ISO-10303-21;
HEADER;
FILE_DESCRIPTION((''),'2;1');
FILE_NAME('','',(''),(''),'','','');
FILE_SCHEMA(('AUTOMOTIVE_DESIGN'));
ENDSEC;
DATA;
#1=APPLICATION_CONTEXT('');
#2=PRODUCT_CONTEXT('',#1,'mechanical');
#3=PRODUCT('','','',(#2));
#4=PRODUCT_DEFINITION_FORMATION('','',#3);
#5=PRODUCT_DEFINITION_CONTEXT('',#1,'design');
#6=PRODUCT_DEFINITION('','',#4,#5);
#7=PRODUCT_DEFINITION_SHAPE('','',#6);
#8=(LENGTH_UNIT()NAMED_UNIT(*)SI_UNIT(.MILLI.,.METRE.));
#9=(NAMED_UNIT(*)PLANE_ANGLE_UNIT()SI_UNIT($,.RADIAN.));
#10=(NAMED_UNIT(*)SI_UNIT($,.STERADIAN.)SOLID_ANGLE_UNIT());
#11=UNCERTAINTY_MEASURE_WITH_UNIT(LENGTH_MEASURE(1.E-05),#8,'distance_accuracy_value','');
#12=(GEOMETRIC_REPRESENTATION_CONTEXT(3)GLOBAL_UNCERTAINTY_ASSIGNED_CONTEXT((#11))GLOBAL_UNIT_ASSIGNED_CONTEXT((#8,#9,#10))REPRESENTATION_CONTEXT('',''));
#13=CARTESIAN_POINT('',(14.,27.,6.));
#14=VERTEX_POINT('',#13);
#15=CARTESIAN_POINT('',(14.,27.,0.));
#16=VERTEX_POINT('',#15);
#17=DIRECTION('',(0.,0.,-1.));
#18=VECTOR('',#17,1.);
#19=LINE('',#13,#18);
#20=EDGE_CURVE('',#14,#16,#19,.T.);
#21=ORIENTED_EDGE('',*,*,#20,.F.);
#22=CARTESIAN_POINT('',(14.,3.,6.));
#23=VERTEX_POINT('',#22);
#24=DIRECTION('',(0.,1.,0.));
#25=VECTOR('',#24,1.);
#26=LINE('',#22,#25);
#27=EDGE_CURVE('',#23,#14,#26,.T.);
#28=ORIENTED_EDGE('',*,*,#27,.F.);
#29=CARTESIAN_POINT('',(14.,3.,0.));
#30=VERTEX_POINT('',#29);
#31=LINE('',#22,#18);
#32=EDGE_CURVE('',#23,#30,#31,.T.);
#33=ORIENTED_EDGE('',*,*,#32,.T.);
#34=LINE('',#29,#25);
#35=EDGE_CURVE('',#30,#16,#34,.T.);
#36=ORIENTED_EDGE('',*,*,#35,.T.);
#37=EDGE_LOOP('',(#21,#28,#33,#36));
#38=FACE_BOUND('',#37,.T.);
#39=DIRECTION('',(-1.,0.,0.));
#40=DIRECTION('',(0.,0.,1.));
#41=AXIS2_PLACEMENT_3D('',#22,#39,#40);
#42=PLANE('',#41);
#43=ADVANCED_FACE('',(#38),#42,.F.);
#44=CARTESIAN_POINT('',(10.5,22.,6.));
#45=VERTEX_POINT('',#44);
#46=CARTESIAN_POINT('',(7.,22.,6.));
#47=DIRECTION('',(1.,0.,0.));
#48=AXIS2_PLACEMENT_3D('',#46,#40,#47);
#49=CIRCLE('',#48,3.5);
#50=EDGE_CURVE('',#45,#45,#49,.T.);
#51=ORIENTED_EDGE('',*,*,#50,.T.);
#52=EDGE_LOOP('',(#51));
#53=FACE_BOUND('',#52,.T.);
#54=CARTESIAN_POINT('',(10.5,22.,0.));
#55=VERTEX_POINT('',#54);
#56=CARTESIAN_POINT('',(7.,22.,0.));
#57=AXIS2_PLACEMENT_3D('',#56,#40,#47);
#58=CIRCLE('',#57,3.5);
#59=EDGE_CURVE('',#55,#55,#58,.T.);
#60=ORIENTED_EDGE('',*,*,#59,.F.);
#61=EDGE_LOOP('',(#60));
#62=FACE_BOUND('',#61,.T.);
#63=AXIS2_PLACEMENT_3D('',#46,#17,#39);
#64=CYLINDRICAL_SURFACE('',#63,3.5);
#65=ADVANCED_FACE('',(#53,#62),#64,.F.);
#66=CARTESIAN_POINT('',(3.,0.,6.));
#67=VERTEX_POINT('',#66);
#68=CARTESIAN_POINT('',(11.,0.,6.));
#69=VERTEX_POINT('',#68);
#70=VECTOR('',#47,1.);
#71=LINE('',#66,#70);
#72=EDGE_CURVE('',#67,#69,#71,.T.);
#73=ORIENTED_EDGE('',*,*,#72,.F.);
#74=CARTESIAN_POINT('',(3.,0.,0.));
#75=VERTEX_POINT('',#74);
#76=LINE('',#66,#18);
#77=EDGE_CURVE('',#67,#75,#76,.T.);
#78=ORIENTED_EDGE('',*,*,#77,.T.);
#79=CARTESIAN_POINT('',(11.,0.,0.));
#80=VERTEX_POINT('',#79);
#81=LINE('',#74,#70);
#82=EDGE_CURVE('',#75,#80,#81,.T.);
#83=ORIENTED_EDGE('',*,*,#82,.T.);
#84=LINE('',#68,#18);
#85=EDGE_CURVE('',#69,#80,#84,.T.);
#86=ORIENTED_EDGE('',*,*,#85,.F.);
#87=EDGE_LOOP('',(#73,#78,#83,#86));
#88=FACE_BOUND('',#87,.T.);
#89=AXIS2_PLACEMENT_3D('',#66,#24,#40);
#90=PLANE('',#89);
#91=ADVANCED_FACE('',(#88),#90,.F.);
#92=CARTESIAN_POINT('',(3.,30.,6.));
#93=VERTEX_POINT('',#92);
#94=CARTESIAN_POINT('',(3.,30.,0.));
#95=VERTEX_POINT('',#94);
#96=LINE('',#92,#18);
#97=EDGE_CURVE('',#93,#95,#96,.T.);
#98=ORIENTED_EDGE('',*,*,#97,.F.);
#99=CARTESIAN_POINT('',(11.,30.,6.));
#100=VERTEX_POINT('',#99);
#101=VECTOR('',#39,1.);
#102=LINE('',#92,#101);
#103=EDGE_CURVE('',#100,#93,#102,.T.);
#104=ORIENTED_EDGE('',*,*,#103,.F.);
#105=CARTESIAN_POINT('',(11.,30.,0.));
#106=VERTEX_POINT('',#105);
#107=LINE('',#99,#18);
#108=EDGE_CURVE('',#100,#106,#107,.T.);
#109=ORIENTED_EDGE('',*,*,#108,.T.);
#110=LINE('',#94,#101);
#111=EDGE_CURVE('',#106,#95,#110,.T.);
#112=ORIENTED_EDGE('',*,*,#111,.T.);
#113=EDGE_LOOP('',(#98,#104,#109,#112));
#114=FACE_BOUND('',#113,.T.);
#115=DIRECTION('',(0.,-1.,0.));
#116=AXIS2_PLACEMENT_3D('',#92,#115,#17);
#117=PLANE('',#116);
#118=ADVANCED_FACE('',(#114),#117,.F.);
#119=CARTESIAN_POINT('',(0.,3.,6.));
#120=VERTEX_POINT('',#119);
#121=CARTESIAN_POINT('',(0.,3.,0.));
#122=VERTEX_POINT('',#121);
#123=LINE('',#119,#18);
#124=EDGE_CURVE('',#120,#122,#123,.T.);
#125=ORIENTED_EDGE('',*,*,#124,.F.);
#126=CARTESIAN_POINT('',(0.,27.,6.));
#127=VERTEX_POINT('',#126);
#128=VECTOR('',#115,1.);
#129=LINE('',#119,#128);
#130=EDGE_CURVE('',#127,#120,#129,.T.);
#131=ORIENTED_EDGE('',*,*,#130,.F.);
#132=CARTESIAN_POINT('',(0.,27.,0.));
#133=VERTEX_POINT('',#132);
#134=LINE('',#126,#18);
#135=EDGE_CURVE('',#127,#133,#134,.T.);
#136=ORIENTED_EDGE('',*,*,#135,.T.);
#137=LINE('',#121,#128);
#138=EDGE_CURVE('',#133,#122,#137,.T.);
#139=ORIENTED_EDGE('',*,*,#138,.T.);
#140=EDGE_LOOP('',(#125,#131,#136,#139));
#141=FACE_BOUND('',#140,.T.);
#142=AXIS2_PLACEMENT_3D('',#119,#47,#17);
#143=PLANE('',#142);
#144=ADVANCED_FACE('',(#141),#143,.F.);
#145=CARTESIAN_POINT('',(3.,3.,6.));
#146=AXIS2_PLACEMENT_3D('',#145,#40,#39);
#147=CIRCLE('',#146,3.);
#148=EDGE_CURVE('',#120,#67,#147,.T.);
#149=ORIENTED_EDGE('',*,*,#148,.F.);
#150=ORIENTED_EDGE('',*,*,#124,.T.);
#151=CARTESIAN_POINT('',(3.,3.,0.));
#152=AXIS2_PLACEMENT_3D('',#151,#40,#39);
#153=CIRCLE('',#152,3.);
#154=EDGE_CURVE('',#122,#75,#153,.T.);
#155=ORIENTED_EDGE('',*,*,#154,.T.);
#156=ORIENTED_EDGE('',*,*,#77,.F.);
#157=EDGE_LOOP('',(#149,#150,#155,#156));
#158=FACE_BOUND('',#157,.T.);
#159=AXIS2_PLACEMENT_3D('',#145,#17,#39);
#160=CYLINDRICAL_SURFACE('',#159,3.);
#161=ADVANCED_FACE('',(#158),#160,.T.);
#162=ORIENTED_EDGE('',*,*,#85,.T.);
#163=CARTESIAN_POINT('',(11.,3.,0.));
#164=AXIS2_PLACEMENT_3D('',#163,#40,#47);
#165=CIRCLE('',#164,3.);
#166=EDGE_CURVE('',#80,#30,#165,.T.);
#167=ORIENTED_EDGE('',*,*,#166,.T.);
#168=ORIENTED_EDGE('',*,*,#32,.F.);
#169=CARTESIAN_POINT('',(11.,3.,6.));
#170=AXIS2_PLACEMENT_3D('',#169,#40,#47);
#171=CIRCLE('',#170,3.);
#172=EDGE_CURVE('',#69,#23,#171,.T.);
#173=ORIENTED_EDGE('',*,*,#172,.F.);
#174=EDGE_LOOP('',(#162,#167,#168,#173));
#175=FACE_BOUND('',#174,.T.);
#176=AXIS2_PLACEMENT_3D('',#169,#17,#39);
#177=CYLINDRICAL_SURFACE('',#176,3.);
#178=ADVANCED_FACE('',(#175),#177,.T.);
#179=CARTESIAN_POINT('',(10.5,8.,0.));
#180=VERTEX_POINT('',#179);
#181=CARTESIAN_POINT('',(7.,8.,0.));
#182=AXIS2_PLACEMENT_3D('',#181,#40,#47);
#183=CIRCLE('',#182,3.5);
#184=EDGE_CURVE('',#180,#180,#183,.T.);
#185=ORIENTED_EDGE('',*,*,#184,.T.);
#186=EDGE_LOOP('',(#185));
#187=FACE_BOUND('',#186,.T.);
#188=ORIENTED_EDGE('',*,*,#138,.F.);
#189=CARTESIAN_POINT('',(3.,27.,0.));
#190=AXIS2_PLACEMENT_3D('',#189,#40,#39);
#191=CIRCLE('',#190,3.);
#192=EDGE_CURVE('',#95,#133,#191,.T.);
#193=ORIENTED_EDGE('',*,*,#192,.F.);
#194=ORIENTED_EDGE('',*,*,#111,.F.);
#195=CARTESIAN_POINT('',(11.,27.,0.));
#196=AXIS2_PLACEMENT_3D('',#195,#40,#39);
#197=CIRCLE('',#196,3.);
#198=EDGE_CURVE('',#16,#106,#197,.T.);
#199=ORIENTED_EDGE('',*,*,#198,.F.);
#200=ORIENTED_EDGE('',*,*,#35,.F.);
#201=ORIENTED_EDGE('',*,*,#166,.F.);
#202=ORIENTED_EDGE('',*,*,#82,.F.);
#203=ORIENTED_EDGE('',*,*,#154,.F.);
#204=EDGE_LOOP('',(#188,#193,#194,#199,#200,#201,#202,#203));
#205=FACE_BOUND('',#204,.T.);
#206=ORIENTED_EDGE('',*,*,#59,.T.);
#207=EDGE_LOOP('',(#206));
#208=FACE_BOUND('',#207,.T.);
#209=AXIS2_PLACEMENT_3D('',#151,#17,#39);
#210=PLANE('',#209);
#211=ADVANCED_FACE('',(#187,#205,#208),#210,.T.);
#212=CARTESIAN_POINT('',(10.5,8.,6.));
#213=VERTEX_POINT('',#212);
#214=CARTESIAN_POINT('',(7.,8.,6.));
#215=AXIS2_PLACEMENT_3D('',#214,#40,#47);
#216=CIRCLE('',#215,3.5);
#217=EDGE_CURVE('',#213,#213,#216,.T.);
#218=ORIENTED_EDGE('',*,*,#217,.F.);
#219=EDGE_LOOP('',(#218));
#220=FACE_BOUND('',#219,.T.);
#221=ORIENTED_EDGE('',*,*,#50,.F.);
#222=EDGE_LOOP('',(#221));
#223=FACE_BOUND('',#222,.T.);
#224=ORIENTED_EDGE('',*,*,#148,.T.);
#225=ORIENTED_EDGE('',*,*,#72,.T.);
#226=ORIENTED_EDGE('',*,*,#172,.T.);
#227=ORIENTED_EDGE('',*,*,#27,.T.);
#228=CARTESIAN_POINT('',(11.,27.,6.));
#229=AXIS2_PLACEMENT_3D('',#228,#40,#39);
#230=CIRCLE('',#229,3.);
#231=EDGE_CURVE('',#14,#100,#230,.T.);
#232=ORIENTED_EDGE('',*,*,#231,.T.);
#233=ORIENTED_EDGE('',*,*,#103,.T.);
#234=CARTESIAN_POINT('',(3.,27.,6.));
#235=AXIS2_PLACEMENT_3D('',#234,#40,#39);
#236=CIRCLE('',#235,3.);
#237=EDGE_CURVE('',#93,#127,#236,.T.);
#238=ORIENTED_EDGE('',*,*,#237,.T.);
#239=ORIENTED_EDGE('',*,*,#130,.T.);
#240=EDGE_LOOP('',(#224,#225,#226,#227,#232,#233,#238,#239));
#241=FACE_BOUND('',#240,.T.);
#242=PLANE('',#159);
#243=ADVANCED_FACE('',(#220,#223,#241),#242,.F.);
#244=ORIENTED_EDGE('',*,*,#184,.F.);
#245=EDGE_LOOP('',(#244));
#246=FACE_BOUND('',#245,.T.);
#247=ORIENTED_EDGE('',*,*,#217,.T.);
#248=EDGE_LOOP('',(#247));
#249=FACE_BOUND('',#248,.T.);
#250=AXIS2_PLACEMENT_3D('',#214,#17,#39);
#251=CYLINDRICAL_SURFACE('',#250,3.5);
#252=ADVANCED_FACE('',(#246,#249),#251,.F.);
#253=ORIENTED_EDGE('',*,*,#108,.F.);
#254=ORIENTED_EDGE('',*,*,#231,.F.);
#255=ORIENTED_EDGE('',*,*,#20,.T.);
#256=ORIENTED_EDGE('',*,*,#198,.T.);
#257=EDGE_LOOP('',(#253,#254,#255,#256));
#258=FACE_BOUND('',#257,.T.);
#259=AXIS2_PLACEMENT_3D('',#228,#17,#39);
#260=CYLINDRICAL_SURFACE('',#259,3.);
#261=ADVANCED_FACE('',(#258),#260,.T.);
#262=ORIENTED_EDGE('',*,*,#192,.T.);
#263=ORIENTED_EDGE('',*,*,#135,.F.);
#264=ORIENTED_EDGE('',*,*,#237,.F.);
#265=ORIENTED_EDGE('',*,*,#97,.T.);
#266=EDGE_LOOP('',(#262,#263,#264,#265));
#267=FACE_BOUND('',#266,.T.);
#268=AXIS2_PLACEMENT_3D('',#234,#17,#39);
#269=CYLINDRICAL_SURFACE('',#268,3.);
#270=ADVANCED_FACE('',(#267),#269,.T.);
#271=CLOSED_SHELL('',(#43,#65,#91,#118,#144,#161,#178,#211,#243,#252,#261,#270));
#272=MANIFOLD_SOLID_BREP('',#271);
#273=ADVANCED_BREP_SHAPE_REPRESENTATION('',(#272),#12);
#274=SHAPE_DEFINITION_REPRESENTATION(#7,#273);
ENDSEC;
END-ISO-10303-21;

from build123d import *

# Parameters (mm, degrees)
SKETCH1_R           = 3.5
BOSS_EXTRUDE1_DEPTH = 6


with BuildPart() as part:
    # Sketch1 → Boss-Extrude1 (new body)
    with BuildSketch(Plane.XY):
        with BuildLine():
            Line((3, 0), (11, 0))
            ThreePointArc((11, 0), (13.121320344, 0.878679656), (14, 3))
            Line((14, 3), (14, 27))
            ThreePointArc((14, 27), (13.121320344, 29.121320344), (11, 30))
            Line((11, 30), (3, 30))
            ThreePointArc((3, 30), (0.878679656, 29.121320344), (0, 27))
            Line((0, 27), (0, 3))
            ThreePointArc((0, 3), (0.878679656, 0.878679656), (3, 0))
        make_face()
        with Locations((7, 22)):
            Circle(SKETCH1_R, mode=Mode.SUBTRACT)
        with Locations((7, 8)):
            Circle(SKETCH1_R, mode=Mode.SUBTRACT)
    extrude(amount=BOSS_EXTRUDE1_DEPTH)


solid = part.part
